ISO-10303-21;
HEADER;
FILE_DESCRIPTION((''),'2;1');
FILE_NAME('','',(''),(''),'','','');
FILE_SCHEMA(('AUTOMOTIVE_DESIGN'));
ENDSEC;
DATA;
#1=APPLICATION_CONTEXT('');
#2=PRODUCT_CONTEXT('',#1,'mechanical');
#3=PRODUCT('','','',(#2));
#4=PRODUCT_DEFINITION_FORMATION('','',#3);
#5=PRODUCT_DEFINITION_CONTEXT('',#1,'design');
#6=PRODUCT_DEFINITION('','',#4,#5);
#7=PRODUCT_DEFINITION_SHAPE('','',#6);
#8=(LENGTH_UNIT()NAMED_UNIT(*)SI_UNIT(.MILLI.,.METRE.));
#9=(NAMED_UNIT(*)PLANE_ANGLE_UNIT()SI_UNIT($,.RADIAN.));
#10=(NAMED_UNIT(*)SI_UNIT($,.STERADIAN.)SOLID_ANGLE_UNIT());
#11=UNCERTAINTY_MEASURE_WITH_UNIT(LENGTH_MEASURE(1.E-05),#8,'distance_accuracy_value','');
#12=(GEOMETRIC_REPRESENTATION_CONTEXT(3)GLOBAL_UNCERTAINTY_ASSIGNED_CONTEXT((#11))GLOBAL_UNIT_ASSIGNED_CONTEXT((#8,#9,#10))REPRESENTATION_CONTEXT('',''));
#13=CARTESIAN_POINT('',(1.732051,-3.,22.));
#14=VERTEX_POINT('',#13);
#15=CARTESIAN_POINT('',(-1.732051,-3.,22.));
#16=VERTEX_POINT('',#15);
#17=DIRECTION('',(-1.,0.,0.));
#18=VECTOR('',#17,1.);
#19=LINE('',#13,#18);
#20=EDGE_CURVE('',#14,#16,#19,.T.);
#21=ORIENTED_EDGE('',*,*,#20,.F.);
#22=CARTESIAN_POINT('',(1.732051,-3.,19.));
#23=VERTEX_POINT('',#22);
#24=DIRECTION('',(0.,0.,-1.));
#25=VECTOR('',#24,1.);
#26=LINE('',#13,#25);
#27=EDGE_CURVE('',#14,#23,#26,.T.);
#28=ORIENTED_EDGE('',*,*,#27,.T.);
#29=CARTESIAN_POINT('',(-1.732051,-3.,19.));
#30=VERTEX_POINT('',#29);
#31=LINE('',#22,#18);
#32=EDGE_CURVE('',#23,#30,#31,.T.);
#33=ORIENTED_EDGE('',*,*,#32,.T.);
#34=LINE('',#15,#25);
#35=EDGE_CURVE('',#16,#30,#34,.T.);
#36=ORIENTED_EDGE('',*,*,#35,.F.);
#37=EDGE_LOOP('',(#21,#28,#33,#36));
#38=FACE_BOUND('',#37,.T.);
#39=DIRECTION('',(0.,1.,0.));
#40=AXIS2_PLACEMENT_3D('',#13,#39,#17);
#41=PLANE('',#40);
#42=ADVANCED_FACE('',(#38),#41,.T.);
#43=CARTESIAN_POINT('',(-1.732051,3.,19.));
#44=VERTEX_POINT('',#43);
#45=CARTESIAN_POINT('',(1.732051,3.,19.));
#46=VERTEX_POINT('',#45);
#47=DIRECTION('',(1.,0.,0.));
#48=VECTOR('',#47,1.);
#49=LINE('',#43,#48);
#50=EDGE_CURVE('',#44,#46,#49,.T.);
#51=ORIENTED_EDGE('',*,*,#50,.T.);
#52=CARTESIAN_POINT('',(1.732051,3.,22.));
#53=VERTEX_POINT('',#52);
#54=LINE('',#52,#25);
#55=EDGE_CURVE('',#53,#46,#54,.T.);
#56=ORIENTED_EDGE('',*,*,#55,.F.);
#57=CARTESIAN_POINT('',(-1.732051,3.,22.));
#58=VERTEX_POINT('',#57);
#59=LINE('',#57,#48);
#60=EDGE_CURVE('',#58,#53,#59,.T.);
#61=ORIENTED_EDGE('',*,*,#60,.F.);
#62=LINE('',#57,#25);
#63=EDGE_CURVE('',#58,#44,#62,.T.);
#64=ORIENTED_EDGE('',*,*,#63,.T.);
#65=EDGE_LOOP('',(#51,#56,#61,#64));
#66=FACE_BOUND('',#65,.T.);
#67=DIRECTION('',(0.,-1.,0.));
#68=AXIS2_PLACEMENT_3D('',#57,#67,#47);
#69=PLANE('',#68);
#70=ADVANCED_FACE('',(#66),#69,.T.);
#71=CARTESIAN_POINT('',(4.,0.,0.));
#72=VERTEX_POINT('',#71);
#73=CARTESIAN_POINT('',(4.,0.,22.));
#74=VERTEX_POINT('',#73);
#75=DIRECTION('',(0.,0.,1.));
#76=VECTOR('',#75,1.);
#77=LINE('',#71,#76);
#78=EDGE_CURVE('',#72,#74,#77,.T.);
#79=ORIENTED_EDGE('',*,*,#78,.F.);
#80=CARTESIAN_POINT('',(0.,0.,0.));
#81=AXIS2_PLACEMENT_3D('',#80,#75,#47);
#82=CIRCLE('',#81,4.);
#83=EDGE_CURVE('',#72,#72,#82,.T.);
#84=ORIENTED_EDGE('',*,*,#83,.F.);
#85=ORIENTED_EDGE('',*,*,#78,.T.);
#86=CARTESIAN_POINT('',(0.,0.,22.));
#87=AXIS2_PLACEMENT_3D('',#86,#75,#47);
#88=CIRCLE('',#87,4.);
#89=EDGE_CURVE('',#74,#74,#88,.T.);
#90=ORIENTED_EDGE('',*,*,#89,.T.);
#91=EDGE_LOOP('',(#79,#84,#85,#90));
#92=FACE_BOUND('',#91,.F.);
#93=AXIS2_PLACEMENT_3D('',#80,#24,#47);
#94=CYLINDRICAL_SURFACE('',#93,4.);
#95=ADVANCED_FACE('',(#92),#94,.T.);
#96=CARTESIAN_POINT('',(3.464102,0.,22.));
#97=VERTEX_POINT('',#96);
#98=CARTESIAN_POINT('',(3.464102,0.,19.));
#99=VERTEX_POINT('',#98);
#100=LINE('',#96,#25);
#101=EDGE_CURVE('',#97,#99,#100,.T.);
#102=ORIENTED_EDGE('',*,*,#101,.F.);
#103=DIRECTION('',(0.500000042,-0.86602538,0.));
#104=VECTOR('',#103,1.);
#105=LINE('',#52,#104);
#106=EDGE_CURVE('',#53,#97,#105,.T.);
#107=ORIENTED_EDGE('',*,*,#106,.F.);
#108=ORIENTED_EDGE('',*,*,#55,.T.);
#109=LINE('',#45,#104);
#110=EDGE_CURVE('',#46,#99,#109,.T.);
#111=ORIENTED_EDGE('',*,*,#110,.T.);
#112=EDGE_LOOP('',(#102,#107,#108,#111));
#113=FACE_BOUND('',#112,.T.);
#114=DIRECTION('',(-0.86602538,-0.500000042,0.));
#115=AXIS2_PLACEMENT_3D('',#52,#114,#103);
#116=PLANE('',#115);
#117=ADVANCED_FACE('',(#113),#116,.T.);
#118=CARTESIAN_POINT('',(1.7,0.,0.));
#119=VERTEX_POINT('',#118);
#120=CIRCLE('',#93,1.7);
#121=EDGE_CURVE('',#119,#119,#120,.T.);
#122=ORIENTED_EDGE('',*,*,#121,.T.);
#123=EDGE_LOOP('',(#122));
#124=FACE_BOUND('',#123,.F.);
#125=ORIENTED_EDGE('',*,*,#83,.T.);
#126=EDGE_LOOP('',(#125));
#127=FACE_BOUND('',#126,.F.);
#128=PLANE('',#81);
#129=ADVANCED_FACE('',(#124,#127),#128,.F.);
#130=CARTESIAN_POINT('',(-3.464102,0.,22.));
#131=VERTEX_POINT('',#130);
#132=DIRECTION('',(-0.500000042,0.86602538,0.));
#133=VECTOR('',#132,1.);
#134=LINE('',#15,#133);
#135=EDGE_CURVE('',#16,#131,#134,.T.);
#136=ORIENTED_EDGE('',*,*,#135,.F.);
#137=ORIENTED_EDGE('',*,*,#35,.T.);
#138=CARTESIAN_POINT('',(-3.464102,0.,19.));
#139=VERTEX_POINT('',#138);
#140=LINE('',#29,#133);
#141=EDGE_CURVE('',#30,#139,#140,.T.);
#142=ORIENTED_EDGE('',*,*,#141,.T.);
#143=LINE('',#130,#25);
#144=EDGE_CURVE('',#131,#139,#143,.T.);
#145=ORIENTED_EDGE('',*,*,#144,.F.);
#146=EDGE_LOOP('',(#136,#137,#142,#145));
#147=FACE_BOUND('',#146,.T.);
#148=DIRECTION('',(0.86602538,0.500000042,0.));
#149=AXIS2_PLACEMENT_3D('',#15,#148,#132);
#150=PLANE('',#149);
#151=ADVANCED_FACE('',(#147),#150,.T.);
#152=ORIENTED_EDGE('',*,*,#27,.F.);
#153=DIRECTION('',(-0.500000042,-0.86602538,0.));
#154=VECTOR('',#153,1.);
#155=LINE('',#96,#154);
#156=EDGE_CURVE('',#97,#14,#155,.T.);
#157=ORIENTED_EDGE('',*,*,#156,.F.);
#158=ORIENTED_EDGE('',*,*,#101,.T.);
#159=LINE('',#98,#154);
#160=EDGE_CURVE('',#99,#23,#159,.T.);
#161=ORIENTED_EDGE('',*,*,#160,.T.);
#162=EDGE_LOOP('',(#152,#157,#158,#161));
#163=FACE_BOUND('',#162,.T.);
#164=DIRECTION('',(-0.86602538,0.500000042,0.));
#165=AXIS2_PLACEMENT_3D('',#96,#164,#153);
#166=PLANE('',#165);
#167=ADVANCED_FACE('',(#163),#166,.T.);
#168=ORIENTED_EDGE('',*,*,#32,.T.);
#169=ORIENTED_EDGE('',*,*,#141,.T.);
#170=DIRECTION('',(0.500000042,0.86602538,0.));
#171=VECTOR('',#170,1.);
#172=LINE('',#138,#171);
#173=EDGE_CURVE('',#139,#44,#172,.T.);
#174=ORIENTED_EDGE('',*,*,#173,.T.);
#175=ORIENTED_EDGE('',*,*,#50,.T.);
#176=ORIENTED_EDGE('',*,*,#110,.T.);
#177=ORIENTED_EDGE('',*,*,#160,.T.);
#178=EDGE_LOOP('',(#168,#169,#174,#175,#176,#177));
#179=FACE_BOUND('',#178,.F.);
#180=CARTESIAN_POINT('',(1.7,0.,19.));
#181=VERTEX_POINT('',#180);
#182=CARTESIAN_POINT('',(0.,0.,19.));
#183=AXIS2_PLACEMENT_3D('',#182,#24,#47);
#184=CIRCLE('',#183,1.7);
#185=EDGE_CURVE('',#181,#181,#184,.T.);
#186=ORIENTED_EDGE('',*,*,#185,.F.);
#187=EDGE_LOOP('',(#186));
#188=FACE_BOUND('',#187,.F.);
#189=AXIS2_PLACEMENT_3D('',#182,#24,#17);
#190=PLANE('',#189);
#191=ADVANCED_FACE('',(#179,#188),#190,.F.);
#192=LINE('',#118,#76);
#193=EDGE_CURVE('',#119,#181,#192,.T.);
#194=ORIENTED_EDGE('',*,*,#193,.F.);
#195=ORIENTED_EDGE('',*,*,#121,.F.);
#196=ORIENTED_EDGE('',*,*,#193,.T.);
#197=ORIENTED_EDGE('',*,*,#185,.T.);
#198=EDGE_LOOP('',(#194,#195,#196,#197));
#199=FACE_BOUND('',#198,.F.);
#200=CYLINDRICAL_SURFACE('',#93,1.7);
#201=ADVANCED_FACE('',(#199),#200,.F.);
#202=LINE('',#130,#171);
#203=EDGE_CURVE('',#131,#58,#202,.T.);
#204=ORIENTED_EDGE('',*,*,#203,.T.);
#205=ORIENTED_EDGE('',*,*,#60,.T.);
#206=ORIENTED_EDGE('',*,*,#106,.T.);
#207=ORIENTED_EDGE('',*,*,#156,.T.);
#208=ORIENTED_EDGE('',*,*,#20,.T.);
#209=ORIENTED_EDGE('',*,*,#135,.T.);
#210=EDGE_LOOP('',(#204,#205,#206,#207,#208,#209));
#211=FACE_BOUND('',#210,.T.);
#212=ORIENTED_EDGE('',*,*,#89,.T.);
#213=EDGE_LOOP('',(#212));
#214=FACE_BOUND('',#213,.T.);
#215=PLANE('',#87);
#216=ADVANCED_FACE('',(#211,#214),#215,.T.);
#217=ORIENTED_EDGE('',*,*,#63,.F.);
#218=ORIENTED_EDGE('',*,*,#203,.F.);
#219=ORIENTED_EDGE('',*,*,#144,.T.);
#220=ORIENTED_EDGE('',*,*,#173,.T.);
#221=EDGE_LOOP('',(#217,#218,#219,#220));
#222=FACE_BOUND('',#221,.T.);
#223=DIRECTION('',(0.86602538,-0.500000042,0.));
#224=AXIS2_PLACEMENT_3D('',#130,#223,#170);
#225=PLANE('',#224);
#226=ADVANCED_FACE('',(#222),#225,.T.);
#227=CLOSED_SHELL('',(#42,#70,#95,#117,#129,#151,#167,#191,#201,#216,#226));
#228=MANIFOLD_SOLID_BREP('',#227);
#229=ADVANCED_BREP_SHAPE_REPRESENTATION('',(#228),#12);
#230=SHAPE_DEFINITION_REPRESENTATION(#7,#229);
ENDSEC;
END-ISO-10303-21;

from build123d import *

# Parameters (mm, degrees)
SKETCH001_R     = 4
PAD001_DEPTH    = 22
POCKET_DEPTH    = 3
SKETCH002_R     = 1.7
POCKET001_DEPTH = 30


with BuildPart() as part:
    # Sketch001 → Pad001 (new body)
    with BuildSketch(Plane.XY):
        Circle(SKETCH001_R)
    extrude(amount=PAD001_DEPTH)

    # Sketch → Pocket (cut)
    with BuildSketch(Plane.XY.offset(22)):
        Polygon((-1.732051, 3), (1.732051, 3), (3.464102, 0), (1.732051, -3), (-1.732051, -3), (-3.464102, 0), align=None)
    extrude(amount=-POCKET_DEPTH, mode=Mode.SUBTRACT)

    # Sketch002 → Pocket001 (cut)
    with BuildSketch(Plane(origin=(0, 0, 0), x_dir=(1, 0, 0), z_dir=(0, 0, -1))):
        Circle(SKETCH002_R)
    extrude(amount=-POCKET001_DEPTH, mode=Mode.SUBTRACT)


solid = part.part
